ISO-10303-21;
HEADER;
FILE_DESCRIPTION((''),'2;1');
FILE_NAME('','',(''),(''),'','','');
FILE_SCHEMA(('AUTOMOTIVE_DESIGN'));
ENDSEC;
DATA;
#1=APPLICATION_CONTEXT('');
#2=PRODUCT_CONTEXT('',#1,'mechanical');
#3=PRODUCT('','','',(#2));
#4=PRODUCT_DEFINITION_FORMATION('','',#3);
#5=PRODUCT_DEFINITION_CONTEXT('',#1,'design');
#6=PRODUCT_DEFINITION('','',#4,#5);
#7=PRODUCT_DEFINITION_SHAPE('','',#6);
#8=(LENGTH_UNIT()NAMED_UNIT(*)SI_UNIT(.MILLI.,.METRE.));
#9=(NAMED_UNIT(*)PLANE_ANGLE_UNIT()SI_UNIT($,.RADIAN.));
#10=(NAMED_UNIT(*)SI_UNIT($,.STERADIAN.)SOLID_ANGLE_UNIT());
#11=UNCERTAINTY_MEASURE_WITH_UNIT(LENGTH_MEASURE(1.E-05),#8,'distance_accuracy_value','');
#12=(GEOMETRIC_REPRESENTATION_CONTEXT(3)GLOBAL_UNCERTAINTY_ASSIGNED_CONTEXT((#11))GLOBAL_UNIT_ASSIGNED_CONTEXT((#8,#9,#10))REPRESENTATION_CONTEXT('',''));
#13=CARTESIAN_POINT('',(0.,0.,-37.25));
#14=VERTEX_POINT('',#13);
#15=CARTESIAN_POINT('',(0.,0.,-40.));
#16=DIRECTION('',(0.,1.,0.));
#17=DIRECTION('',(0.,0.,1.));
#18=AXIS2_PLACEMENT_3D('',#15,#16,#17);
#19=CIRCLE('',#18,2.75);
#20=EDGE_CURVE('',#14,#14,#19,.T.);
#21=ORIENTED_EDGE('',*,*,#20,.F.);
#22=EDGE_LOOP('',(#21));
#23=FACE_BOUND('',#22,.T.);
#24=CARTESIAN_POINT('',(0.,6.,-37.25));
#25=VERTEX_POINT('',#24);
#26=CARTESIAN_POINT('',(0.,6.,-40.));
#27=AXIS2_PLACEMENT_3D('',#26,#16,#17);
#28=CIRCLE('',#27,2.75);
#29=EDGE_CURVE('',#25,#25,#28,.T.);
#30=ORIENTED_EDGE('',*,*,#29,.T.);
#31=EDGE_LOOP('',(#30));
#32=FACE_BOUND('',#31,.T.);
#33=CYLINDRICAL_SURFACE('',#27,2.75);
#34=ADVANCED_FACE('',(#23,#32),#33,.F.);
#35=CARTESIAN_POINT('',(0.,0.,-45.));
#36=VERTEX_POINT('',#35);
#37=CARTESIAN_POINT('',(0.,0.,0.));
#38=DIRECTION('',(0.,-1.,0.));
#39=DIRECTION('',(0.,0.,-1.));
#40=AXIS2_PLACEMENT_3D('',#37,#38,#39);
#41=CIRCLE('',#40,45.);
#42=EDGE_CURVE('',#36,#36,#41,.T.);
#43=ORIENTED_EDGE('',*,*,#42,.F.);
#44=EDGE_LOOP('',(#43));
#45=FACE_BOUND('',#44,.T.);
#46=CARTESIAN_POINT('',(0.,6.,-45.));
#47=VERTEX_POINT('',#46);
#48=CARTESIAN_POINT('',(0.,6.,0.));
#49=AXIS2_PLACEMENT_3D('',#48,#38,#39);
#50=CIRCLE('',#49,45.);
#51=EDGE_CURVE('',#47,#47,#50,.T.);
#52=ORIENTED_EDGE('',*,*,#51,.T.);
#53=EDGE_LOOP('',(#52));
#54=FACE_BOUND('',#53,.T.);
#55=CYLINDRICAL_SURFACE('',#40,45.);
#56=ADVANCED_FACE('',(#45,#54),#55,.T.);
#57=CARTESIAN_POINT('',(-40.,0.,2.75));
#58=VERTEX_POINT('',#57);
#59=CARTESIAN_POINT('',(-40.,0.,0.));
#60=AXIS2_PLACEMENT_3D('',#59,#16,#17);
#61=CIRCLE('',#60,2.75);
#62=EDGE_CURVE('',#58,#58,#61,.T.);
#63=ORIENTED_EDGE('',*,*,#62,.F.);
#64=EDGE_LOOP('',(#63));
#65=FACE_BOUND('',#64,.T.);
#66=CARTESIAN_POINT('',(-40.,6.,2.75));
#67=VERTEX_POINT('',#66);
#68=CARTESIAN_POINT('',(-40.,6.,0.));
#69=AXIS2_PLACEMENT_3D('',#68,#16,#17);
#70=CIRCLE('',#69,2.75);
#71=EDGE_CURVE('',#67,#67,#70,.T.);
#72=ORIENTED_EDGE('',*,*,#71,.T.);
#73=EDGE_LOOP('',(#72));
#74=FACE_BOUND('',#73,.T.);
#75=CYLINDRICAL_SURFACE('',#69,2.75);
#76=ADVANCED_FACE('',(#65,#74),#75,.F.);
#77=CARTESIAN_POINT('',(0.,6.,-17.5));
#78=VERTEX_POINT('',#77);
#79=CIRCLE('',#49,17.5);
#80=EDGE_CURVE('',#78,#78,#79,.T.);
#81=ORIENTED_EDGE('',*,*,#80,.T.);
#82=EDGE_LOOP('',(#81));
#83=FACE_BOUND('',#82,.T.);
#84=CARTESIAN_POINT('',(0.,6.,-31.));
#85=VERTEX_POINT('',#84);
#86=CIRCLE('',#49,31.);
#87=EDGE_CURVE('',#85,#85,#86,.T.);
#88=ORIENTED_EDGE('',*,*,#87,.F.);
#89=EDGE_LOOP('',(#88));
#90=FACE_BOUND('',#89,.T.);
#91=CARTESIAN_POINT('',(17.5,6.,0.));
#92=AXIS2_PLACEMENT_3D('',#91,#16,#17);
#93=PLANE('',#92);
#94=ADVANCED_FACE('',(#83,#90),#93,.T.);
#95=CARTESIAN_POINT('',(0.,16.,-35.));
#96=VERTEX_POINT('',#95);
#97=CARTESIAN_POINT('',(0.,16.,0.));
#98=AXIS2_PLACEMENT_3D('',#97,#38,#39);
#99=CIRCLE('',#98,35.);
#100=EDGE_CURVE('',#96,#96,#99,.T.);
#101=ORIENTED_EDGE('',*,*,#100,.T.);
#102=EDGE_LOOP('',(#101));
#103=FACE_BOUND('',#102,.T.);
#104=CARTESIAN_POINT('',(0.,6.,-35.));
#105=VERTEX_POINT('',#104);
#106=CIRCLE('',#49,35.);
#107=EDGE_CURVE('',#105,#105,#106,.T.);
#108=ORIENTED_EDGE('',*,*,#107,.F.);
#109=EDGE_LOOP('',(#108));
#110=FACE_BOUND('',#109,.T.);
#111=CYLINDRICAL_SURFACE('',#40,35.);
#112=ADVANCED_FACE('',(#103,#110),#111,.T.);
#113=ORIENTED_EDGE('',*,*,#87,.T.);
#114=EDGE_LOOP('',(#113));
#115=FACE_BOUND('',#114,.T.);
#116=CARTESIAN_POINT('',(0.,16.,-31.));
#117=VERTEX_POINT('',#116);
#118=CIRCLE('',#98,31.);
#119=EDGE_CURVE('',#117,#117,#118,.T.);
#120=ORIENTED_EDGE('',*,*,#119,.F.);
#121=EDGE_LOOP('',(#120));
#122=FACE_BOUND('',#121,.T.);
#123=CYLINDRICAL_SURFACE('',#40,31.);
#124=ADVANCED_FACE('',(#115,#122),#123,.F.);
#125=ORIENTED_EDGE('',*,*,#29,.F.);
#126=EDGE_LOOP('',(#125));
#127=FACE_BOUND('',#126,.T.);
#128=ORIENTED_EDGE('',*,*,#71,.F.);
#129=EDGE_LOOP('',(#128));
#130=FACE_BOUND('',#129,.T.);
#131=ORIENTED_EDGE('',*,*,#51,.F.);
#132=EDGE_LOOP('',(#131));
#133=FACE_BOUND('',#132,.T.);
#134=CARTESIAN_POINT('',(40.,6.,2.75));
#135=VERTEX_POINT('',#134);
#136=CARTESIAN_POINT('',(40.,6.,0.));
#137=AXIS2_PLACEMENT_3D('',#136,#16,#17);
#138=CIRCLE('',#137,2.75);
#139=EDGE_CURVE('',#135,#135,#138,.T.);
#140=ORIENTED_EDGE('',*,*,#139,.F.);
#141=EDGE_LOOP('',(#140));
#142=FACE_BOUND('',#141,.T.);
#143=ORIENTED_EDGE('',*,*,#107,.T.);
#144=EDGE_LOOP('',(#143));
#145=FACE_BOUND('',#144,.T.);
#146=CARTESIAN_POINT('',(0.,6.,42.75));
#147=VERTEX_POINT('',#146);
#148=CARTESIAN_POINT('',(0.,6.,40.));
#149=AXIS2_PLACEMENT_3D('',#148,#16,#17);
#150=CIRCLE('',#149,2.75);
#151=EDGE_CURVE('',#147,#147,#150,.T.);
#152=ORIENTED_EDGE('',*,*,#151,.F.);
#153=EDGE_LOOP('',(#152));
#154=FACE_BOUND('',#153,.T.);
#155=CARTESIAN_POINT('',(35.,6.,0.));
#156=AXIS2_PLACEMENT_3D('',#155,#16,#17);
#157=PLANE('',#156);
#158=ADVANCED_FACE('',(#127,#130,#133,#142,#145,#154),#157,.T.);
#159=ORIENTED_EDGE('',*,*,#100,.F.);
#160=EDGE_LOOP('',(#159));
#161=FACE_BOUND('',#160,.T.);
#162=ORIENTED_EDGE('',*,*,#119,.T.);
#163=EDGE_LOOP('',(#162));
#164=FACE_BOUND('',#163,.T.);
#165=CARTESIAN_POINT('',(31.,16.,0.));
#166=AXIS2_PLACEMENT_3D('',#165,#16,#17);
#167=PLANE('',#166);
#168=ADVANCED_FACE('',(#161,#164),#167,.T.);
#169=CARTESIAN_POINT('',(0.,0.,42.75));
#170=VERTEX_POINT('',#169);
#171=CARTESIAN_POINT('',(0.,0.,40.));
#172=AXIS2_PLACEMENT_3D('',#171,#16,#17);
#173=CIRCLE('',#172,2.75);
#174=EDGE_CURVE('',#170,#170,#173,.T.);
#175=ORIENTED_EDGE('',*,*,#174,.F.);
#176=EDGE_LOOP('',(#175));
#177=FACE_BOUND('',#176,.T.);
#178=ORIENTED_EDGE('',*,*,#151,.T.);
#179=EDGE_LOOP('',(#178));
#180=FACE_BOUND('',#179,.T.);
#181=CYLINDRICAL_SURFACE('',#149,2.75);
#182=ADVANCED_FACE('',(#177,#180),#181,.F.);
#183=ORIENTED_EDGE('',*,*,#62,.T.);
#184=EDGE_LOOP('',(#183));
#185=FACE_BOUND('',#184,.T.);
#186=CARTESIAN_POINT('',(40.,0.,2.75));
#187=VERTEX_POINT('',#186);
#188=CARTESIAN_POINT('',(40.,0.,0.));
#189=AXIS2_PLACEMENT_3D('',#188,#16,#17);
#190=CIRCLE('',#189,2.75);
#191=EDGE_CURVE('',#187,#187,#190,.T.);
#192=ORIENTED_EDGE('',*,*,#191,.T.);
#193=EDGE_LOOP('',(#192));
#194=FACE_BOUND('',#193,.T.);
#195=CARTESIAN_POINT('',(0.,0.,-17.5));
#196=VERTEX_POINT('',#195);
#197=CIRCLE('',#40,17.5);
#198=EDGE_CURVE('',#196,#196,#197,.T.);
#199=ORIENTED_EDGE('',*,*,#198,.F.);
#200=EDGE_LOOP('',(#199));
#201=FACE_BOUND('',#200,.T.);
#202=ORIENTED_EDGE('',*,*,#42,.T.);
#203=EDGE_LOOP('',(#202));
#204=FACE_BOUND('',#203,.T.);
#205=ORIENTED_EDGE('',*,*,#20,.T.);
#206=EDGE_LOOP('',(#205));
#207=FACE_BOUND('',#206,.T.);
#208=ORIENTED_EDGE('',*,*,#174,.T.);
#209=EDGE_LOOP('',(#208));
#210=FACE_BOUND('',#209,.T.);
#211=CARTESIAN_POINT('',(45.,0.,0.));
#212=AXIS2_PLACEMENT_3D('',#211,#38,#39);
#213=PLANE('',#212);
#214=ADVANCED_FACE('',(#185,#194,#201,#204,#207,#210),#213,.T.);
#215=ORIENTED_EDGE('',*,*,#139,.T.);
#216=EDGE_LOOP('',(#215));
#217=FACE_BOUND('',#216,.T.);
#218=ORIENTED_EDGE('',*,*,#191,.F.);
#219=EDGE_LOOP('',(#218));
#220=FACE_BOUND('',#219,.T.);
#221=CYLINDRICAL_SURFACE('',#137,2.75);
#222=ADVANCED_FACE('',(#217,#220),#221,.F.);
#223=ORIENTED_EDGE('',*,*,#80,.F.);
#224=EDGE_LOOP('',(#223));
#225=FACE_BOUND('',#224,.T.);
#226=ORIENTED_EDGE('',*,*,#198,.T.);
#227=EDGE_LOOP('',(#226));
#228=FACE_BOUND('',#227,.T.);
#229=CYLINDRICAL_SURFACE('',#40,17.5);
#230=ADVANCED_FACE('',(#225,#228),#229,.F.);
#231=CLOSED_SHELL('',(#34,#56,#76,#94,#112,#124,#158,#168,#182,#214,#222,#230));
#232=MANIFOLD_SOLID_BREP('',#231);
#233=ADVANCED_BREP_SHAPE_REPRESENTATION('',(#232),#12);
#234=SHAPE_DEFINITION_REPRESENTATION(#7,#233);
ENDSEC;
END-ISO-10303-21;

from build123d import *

# Parameters (mm, degrees)
FURO_COM_FOLGA_DE_M51_D = 5.5


with BuildPart() as part:
    # Esboço1 → Revolução1 (revolve)
    with BuildSketch(Plane.XY, mode=Mode.PRIVATE) as revolu_o1_sk:
        Polygon((17.5, 0), (17.5, 6), (31, 6), (31, 16), (35, 16), (35, 6), (45, 6), (45, 0), align=None)
    revolve(revolu_o1_sk.sketch.rotate(Axis((0, 0, 0), (0, 1, 0)), 90), axis=Axis((0, 0, 0), (0, 1, 0)))

    # Furo com folga de M51 (through all)
    with Locations(Plane(origin=(0, 6, 0), x_dir=(1, 0, 0), z_dir=(0, 1, 0))):
        with Locations((0, 40), (40, 0), (0, -40), (-40, 0)):
            Hole(FURO_COM_FOLGA_DE_M51_D / 2)


solid = part.part
